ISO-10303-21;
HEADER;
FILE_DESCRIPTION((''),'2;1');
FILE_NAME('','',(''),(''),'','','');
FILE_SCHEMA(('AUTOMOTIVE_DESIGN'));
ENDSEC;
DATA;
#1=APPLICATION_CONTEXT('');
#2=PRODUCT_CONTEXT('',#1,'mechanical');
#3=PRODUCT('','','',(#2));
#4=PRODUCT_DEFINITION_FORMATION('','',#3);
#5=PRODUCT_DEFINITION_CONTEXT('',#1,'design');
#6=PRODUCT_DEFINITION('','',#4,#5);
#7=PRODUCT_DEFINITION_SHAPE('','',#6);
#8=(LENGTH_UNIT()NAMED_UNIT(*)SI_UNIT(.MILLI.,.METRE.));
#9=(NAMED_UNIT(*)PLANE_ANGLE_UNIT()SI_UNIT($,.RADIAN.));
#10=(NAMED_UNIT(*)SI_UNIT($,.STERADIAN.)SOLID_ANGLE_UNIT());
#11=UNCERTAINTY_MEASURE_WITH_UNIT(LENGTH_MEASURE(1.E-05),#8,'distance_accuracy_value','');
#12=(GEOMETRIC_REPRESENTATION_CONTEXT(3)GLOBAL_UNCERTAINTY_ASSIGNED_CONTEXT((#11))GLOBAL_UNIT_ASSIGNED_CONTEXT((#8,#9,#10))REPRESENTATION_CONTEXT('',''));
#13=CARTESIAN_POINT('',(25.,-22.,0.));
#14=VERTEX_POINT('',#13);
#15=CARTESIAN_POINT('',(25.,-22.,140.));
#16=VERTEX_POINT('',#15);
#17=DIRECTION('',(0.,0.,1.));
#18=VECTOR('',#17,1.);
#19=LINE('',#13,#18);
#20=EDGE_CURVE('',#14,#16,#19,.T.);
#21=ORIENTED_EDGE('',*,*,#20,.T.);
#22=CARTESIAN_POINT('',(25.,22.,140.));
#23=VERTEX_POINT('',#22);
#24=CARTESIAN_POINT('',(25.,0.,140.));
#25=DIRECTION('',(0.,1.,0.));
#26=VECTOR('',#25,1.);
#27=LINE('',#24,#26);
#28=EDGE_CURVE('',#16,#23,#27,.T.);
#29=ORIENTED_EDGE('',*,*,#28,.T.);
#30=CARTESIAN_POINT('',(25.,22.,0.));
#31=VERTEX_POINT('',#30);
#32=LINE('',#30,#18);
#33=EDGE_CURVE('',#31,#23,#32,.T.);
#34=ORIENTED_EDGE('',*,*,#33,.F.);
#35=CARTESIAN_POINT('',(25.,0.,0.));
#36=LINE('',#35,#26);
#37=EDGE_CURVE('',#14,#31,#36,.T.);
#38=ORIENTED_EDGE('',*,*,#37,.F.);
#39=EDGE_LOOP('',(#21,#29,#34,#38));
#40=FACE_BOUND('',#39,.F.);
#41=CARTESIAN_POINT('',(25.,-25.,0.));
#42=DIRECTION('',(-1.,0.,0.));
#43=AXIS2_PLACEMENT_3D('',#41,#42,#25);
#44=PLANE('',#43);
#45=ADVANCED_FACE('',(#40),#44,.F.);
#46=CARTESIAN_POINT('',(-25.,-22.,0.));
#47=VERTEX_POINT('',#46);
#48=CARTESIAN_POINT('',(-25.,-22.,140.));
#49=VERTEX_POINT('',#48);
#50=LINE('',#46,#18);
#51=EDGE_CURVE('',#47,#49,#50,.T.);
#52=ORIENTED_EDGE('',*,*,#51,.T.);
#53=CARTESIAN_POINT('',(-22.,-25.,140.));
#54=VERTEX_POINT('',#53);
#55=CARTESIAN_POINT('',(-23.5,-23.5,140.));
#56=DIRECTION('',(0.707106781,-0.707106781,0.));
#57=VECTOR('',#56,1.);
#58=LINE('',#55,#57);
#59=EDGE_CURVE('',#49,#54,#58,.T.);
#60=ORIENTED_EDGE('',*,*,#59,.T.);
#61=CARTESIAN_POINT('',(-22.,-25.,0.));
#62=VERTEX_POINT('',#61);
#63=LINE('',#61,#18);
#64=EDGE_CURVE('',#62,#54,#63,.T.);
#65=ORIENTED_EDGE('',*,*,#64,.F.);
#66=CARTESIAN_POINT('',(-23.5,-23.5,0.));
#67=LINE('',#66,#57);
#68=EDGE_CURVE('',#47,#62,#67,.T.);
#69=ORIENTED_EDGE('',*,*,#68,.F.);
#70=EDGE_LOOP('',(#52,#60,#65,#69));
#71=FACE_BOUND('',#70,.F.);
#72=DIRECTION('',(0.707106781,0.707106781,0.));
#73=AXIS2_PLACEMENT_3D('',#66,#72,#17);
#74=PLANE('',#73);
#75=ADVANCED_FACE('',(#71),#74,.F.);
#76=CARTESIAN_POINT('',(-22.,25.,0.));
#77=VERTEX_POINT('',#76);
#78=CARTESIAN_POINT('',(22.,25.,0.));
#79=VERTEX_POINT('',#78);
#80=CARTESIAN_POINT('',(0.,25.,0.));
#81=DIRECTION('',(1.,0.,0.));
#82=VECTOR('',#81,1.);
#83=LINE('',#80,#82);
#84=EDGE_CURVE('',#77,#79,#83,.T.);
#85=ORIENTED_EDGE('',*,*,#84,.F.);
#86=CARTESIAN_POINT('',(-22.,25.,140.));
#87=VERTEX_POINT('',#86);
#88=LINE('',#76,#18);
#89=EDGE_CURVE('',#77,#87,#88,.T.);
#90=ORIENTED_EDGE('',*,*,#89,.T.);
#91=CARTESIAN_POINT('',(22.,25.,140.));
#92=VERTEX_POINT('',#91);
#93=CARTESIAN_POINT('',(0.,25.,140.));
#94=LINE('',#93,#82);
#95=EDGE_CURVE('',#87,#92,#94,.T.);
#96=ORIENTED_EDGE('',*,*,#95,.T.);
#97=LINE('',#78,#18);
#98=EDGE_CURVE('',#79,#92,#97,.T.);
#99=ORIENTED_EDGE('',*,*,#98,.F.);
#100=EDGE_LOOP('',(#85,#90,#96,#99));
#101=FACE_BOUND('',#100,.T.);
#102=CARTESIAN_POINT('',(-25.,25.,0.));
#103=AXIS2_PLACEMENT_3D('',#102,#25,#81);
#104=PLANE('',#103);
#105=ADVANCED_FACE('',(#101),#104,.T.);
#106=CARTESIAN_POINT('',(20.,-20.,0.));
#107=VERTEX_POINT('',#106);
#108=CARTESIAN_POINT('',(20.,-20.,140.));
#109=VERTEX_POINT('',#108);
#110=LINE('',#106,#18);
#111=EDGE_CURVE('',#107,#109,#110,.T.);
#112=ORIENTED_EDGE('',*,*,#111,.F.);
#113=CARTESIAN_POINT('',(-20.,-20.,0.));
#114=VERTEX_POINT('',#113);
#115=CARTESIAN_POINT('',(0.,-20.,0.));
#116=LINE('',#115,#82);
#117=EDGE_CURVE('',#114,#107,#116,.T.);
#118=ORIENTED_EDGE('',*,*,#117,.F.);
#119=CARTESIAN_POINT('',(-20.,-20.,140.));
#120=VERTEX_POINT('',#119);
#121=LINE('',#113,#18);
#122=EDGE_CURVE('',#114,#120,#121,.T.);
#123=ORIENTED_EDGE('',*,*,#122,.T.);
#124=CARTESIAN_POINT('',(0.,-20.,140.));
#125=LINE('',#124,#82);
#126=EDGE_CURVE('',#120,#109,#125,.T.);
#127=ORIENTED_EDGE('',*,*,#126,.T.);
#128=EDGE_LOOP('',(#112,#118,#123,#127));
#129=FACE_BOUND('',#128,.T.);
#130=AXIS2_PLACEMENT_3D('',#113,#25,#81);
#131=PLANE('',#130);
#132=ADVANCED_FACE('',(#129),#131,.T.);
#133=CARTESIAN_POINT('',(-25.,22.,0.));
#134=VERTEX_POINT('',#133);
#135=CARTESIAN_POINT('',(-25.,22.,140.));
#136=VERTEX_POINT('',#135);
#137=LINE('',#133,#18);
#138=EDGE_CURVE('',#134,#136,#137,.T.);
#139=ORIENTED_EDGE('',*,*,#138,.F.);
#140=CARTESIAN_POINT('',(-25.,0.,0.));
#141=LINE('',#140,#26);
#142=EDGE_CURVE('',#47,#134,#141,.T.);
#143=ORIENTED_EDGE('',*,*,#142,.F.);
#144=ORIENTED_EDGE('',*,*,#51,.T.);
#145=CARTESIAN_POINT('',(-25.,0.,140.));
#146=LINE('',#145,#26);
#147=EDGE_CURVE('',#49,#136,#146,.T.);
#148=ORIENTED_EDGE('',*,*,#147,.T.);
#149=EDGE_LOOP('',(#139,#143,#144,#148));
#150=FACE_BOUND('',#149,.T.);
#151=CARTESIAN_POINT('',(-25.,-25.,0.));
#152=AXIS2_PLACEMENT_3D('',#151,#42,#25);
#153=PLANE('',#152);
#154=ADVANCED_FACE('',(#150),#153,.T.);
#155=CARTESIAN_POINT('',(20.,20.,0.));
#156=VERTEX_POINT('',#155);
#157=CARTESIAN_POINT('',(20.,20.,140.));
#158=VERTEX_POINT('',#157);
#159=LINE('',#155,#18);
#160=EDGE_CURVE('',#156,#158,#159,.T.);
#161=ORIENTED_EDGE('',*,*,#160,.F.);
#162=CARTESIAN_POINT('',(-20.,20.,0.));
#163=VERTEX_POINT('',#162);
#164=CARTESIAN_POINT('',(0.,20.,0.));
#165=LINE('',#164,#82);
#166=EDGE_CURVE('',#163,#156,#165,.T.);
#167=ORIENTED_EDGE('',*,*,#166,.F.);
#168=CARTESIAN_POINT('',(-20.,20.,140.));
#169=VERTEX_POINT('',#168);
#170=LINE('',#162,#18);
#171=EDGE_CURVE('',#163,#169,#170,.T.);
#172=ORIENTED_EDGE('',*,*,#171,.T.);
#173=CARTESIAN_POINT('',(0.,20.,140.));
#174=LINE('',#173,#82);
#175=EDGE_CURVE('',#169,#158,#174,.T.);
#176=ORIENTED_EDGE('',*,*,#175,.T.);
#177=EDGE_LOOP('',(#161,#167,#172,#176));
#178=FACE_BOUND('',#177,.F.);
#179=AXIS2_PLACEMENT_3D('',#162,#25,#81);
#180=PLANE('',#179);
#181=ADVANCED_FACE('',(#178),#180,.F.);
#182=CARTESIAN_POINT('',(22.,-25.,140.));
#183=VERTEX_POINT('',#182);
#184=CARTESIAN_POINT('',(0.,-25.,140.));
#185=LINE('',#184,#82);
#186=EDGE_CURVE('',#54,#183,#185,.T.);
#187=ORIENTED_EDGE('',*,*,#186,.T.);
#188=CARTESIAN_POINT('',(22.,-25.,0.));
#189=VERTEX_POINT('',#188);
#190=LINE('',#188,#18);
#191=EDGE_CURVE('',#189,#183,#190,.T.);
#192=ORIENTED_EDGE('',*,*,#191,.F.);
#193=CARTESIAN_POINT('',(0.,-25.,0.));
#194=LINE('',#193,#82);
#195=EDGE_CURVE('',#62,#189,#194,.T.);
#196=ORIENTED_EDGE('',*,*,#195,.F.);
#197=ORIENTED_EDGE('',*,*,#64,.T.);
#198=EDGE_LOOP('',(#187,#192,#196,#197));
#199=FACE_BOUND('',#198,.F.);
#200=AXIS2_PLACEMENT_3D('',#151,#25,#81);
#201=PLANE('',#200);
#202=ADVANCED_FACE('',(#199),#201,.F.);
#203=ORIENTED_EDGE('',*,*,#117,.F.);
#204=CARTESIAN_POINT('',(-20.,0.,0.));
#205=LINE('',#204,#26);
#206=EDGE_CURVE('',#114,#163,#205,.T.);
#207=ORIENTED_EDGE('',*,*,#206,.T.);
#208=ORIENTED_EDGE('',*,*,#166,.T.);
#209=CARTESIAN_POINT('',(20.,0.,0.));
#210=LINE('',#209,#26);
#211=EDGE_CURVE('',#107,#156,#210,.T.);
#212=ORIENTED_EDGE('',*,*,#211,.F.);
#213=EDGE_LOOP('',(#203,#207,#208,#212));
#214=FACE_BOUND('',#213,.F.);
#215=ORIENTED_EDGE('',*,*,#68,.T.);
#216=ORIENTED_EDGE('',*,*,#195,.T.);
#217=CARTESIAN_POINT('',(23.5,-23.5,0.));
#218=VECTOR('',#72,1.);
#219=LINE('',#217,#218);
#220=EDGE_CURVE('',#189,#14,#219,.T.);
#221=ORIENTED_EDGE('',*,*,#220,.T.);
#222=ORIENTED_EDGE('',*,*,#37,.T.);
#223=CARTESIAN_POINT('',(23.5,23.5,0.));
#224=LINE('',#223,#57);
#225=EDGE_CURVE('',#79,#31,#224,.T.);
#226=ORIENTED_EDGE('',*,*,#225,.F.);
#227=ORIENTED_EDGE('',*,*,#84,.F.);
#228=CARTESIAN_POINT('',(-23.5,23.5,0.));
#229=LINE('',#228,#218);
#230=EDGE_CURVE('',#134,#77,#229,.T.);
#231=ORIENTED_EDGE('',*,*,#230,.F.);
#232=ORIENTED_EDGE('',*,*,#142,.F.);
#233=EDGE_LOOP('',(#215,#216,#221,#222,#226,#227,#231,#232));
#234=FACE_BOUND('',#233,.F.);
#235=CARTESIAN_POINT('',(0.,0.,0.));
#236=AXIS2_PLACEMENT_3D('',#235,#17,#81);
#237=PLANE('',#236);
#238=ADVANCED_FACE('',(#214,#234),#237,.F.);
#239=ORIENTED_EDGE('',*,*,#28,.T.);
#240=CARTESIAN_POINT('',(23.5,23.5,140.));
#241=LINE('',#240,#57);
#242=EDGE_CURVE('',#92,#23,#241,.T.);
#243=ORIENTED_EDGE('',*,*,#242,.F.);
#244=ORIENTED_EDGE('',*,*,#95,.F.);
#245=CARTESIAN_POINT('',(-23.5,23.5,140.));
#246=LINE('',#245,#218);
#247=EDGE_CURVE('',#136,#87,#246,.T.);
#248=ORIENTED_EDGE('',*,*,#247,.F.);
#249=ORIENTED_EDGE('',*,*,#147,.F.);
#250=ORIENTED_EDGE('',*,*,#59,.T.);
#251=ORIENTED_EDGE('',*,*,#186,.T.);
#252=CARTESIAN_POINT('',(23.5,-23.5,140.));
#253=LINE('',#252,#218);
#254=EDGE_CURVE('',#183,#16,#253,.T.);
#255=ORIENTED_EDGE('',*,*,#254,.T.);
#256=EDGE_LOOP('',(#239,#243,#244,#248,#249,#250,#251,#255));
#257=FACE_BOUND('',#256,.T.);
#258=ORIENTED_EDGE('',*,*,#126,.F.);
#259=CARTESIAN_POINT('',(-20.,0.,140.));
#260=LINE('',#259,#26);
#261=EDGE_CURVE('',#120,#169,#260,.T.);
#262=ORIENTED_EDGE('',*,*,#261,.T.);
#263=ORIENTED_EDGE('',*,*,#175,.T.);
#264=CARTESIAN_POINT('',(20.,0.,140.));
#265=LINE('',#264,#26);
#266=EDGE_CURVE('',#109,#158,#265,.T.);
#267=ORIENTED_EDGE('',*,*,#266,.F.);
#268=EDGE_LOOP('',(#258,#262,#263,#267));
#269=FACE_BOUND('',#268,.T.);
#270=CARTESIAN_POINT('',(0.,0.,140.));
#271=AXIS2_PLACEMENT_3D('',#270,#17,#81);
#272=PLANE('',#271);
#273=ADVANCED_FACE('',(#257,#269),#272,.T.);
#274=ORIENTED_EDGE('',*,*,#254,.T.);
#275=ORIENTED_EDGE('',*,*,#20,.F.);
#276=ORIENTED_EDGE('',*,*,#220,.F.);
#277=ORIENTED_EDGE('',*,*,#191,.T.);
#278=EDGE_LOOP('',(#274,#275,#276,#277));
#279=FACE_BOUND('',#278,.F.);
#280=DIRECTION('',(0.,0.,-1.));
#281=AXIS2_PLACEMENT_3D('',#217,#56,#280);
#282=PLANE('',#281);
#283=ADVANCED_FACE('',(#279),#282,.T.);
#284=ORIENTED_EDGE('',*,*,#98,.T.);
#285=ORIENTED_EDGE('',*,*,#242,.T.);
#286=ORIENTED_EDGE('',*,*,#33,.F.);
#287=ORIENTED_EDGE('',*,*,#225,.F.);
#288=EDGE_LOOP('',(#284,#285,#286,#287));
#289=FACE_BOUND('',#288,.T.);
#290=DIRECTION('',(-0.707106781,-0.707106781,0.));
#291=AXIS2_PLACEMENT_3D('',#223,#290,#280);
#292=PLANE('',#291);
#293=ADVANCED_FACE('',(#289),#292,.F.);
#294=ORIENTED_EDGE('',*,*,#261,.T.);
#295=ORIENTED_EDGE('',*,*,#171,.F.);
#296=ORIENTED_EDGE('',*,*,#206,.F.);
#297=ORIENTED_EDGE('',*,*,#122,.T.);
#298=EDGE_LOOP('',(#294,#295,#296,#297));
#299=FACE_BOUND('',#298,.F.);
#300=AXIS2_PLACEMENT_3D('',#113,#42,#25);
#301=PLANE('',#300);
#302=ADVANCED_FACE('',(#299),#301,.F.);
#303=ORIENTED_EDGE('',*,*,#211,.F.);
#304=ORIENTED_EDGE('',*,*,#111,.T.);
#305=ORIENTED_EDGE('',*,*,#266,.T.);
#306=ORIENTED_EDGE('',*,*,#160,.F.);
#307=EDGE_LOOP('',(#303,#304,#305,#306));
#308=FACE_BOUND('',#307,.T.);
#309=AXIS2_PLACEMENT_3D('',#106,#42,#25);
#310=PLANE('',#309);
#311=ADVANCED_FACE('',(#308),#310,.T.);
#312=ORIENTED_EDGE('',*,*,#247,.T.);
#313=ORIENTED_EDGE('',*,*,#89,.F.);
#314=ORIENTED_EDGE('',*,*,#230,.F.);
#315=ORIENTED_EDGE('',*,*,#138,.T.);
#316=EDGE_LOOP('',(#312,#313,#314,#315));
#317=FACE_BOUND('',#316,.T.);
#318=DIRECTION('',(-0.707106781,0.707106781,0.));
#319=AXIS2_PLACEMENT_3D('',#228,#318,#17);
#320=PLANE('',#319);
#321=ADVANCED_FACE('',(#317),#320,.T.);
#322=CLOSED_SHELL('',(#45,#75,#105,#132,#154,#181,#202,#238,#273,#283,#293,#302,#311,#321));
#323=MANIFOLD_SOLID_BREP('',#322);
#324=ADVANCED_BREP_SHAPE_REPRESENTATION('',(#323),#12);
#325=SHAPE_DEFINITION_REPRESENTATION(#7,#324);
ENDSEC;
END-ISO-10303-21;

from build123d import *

# Parameters (mm, degrees)
F0_W     = 50
F0_H     = 50
F0_W_2   = 40
F0_H_2   = 40
F1_DEPTH = 140
F2_SIZE  = 3


with BuildPart() as f1:
    # F0 (on Top) → F1 (new body)
    with BuildSketch(Plane.XY):
        Rectangle(F0_W, F0_H)
        Rectangle(F0_W_2, F0_H_2, mode=Mode.SUBTRACT)
    extrude(amount=F1_DEPTH)

    # F2
    f2_edges = [f1.edges().sort_by_distance(p)[0] for p in [
        (25, -25, 70),
        (-25, -25, 70),
        (25, 25, 70),
        (-25, 25, 70),
    ]]
    chamfer(f2_edges, length=F2_SIZE)


solid = f1.part
